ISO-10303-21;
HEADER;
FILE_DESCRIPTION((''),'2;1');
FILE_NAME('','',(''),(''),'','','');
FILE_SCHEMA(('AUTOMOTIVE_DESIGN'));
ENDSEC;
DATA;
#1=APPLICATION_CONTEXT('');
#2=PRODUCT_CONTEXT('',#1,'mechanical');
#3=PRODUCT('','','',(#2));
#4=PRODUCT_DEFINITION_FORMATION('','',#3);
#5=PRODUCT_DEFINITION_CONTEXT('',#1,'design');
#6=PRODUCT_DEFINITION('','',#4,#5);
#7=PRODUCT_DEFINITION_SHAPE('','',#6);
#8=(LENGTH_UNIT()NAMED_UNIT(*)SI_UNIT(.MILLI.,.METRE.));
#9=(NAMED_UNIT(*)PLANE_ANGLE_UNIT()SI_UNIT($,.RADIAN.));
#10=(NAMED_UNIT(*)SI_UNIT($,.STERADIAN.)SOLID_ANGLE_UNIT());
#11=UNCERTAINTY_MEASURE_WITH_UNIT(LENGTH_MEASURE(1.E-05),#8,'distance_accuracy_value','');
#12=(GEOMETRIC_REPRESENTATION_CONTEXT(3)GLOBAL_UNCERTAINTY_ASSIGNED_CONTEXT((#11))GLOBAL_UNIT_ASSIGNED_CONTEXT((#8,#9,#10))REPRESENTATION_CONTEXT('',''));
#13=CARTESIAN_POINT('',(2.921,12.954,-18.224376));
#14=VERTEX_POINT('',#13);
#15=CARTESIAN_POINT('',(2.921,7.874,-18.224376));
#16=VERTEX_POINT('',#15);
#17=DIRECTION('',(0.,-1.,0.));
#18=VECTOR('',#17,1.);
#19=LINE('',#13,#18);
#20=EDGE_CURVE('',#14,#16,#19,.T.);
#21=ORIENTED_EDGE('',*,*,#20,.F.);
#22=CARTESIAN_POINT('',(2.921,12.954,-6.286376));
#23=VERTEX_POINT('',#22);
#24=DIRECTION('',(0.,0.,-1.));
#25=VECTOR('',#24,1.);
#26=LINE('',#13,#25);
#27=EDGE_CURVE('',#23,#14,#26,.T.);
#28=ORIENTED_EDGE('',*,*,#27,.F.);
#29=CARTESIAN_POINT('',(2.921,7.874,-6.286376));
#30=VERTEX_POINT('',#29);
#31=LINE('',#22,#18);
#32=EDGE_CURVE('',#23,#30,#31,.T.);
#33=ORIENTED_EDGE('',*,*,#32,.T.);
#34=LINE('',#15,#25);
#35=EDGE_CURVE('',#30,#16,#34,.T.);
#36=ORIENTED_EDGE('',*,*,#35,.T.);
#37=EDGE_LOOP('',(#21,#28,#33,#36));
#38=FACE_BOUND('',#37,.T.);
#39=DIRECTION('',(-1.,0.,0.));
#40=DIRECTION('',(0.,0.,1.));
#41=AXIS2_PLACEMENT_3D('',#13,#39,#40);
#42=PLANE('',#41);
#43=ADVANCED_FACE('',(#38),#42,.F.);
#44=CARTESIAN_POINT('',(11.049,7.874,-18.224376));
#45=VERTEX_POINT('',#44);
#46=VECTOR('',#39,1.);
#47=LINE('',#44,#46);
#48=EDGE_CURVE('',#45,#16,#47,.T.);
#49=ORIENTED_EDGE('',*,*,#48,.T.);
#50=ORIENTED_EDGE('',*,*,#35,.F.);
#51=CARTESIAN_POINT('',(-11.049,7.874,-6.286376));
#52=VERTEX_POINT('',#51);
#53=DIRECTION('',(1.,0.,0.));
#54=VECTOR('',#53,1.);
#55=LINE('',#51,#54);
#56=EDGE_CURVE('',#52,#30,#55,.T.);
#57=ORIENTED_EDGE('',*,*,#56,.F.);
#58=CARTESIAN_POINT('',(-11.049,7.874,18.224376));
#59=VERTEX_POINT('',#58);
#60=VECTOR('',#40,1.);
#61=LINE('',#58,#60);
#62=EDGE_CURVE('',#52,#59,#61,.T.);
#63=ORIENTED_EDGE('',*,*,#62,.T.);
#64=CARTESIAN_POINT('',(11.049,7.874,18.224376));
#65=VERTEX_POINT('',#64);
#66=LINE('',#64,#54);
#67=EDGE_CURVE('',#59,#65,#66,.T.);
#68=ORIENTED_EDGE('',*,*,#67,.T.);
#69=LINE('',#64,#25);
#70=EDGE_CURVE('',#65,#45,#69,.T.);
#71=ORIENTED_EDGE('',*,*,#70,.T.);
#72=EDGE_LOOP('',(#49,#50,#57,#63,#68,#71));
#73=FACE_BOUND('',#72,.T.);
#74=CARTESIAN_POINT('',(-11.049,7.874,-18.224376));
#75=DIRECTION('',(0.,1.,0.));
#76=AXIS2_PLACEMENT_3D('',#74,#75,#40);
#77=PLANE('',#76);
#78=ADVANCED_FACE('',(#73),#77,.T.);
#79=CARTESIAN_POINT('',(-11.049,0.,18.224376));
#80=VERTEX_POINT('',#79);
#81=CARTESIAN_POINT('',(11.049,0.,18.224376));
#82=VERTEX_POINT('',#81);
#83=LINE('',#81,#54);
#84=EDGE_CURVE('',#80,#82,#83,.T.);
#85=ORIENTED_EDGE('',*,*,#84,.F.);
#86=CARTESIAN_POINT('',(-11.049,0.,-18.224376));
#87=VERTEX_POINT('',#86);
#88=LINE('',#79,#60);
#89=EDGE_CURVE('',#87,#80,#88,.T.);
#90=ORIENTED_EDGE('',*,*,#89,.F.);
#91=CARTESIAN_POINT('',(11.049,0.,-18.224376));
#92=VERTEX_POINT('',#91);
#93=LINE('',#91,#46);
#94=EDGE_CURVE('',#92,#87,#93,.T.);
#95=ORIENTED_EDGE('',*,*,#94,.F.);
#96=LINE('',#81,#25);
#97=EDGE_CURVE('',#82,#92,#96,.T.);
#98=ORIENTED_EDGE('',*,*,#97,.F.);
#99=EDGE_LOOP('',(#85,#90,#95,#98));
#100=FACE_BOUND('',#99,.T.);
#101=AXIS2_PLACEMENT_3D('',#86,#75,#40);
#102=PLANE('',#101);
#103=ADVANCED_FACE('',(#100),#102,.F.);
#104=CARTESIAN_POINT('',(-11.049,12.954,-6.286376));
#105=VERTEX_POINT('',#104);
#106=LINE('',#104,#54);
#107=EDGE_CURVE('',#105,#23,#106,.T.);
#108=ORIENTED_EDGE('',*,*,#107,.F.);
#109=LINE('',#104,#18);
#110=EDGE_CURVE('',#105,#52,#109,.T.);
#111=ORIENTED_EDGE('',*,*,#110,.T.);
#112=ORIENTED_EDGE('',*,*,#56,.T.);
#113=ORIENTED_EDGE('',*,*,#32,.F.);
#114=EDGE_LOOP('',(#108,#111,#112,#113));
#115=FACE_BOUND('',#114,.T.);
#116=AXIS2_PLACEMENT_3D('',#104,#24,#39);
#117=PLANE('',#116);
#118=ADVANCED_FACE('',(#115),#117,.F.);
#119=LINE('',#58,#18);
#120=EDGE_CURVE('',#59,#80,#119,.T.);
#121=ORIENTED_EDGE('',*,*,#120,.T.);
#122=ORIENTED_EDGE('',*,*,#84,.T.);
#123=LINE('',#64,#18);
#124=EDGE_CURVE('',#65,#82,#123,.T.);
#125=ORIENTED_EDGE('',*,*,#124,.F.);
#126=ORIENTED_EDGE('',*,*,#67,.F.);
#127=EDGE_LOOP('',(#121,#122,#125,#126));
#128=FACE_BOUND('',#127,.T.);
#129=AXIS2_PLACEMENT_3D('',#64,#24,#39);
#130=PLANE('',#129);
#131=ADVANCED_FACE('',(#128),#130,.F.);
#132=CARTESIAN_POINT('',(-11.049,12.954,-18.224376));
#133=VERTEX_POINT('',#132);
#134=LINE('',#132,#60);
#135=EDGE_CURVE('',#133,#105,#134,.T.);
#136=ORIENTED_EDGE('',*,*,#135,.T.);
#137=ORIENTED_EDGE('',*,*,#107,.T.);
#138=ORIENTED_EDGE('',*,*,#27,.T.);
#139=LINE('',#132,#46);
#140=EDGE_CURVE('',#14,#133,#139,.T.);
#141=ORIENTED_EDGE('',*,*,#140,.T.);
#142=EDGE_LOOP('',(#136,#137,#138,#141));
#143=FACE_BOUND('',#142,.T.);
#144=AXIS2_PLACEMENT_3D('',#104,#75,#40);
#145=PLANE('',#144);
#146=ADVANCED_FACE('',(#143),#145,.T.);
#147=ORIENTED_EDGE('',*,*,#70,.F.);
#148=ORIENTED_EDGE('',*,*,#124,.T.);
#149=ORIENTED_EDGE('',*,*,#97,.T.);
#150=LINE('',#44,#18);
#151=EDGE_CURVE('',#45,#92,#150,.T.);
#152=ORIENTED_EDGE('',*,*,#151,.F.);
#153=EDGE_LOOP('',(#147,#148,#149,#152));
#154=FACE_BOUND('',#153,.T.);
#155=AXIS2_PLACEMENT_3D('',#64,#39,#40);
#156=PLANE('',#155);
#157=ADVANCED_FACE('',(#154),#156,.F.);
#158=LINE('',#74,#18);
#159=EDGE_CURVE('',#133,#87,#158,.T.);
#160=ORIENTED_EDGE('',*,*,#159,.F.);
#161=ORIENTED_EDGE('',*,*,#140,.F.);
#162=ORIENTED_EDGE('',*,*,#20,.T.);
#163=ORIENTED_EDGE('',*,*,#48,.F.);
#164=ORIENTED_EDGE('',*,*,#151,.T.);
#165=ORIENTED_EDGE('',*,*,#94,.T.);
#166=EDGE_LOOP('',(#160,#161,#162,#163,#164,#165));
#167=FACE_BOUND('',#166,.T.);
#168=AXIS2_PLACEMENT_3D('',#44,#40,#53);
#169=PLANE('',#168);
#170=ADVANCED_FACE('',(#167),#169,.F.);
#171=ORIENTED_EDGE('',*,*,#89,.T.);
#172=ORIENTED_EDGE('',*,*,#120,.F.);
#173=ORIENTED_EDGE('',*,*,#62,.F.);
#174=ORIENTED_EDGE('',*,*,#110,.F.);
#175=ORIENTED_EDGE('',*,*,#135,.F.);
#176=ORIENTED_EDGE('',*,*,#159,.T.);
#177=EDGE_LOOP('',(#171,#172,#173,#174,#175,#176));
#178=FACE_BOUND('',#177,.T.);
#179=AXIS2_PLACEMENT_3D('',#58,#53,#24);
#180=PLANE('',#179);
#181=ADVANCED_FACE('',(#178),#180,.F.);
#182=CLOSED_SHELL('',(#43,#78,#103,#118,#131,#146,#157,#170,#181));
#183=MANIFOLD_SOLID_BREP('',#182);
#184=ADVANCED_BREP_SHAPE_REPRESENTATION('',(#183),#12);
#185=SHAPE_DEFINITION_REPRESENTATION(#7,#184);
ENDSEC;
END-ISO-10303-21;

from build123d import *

# Parameters (mm, degrees)
SKETCH1_W      = 22.098
SKETCH1_H      = 36.448752896
EXTRUDE1_DEPTH = 7.874
SKETCH2_W      = 13.97
SKETCH2_H      = 11.938
EXTRUDE2_DEPTH = 5.08


with BuildPart() as part:
    # Sketch1 → Extrude1 (new body)
    with BuildSketch(Plane(origin=(0, 0, 0), x_dir=(1, 0, 0), z_dir=(0, 1, 0))):
        Rectangle(SKETCH1_W, SKETCH1_H)
    extrude(amount=EXTRUDE1_DEPTH)

    # Sketch2 → Extrude2 (add)
    with BuildSketch(Plane(origin=(0, 7.874, 0), x_dir=(-1, 0, 0), z_dir=(0, 1, 0))):
        with Locations((4.064, -12.255376448)):
            Rectangle(SKETCH2_W, SKETCH2_H)
    extrude(amount=EXTRUDE2_DEPTH)


solid = part.part
